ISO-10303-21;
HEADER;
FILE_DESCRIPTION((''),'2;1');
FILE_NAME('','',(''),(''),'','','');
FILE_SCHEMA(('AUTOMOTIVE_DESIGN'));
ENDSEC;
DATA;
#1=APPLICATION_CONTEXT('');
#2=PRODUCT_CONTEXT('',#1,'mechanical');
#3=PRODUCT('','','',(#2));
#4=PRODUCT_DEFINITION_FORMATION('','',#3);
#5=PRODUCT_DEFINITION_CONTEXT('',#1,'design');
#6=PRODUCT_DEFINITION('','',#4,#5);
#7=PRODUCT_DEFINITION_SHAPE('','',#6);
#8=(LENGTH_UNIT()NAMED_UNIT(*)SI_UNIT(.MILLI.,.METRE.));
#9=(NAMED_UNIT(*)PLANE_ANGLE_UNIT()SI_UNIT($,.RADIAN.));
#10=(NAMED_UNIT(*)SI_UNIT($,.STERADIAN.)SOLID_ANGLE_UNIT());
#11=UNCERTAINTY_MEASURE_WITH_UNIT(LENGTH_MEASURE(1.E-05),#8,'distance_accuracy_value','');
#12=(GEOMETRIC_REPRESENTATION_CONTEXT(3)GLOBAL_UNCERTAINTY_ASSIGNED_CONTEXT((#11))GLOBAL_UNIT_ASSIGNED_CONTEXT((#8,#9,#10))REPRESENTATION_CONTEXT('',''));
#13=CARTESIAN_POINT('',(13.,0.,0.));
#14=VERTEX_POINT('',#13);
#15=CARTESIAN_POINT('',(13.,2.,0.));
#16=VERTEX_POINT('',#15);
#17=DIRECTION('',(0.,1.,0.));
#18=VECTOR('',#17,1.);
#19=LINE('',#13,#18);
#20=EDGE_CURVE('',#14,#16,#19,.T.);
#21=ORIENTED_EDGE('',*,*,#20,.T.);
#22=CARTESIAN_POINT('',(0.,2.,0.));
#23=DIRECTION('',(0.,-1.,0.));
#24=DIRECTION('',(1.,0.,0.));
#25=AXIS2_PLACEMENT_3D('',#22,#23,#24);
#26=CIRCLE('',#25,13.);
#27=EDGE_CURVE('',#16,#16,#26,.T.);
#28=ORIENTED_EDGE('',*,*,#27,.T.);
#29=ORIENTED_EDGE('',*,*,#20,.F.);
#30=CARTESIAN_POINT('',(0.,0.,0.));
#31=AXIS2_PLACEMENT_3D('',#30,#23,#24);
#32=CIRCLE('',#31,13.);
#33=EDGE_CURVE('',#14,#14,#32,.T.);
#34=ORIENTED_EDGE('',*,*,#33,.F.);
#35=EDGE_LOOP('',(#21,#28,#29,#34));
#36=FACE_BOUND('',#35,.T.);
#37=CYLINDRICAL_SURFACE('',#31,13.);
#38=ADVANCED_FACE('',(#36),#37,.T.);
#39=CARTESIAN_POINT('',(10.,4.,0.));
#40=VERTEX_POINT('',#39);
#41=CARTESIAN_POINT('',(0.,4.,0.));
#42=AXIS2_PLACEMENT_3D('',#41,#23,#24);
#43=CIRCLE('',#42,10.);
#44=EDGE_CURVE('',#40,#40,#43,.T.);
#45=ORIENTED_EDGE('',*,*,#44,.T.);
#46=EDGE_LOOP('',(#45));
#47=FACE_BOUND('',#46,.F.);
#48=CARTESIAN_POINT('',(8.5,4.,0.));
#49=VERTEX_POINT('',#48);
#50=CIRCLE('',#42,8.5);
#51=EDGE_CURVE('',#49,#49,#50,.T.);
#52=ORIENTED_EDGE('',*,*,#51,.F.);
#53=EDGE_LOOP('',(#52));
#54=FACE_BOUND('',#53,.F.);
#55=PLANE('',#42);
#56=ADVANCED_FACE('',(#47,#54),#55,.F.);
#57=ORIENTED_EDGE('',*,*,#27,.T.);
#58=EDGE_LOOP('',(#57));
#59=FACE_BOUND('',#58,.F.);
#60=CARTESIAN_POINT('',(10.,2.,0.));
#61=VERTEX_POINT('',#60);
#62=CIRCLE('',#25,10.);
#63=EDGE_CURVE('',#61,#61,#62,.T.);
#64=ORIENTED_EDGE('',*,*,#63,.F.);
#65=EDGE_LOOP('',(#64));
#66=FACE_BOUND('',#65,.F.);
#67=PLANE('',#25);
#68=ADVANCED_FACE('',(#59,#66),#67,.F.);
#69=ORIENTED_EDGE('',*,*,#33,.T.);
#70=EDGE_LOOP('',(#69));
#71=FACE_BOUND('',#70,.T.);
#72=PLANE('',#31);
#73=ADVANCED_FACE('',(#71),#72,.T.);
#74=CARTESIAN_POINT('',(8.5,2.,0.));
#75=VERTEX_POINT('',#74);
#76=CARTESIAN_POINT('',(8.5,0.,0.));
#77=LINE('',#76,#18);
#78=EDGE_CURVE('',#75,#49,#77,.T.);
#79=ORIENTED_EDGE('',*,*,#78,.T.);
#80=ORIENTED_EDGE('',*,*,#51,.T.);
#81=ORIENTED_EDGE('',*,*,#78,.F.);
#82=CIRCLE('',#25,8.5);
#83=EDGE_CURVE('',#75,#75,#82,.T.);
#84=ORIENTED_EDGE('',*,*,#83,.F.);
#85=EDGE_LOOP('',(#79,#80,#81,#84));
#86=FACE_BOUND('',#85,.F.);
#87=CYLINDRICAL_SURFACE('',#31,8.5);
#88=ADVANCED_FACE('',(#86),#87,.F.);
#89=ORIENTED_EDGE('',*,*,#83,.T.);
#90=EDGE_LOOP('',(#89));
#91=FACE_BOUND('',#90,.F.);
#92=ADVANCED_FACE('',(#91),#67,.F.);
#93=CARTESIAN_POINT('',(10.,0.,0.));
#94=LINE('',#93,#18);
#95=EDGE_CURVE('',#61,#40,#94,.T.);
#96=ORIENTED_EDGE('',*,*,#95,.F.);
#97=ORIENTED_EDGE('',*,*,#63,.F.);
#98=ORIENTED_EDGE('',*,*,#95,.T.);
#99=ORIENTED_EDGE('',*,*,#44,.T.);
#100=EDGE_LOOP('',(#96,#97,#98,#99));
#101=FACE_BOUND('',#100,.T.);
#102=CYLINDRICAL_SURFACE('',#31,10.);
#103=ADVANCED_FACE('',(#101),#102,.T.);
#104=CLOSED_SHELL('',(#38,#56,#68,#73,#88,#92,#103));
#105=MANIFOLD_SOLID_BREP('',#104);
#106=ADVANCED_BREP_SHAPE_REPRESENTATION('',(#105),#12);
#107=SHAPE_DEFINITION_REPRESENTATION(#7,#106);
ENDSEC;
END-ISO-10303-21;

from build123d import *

# Parameters (mm, degrees)
F0_R     = 13
F0_R_2   = 10
F1_DEPTH = 2
F0_R_3   = 8.5
F2_DEPTH = 4
F3_DEPTH = 2


with BuildPart() as f1:
    # F0 (on Front) → F1 (new body)
    with BuildSketch(Plane.XZ):
        Circle(F0_R)
        Circle(F0_R_2, mode=Mode.SUBTRACT)
    extrude(amount=-F1_DEPTH)

    # F0 (on Front) → F2 (join)
    with BuildSketch(Plane.XZ):
        Circle(F0_R_2)
        Circle(F0_R_3, mode=Mode.SUBTRACT)
    extrude(amount=-F2_DEPTH)

    # F0 (on Front) → F3 (join)
    with BuildSketch(Plane.XZ):
        Circle(F0_R_3)
    extrude(amount=-F3_DEPTH)


solid = f1.part
